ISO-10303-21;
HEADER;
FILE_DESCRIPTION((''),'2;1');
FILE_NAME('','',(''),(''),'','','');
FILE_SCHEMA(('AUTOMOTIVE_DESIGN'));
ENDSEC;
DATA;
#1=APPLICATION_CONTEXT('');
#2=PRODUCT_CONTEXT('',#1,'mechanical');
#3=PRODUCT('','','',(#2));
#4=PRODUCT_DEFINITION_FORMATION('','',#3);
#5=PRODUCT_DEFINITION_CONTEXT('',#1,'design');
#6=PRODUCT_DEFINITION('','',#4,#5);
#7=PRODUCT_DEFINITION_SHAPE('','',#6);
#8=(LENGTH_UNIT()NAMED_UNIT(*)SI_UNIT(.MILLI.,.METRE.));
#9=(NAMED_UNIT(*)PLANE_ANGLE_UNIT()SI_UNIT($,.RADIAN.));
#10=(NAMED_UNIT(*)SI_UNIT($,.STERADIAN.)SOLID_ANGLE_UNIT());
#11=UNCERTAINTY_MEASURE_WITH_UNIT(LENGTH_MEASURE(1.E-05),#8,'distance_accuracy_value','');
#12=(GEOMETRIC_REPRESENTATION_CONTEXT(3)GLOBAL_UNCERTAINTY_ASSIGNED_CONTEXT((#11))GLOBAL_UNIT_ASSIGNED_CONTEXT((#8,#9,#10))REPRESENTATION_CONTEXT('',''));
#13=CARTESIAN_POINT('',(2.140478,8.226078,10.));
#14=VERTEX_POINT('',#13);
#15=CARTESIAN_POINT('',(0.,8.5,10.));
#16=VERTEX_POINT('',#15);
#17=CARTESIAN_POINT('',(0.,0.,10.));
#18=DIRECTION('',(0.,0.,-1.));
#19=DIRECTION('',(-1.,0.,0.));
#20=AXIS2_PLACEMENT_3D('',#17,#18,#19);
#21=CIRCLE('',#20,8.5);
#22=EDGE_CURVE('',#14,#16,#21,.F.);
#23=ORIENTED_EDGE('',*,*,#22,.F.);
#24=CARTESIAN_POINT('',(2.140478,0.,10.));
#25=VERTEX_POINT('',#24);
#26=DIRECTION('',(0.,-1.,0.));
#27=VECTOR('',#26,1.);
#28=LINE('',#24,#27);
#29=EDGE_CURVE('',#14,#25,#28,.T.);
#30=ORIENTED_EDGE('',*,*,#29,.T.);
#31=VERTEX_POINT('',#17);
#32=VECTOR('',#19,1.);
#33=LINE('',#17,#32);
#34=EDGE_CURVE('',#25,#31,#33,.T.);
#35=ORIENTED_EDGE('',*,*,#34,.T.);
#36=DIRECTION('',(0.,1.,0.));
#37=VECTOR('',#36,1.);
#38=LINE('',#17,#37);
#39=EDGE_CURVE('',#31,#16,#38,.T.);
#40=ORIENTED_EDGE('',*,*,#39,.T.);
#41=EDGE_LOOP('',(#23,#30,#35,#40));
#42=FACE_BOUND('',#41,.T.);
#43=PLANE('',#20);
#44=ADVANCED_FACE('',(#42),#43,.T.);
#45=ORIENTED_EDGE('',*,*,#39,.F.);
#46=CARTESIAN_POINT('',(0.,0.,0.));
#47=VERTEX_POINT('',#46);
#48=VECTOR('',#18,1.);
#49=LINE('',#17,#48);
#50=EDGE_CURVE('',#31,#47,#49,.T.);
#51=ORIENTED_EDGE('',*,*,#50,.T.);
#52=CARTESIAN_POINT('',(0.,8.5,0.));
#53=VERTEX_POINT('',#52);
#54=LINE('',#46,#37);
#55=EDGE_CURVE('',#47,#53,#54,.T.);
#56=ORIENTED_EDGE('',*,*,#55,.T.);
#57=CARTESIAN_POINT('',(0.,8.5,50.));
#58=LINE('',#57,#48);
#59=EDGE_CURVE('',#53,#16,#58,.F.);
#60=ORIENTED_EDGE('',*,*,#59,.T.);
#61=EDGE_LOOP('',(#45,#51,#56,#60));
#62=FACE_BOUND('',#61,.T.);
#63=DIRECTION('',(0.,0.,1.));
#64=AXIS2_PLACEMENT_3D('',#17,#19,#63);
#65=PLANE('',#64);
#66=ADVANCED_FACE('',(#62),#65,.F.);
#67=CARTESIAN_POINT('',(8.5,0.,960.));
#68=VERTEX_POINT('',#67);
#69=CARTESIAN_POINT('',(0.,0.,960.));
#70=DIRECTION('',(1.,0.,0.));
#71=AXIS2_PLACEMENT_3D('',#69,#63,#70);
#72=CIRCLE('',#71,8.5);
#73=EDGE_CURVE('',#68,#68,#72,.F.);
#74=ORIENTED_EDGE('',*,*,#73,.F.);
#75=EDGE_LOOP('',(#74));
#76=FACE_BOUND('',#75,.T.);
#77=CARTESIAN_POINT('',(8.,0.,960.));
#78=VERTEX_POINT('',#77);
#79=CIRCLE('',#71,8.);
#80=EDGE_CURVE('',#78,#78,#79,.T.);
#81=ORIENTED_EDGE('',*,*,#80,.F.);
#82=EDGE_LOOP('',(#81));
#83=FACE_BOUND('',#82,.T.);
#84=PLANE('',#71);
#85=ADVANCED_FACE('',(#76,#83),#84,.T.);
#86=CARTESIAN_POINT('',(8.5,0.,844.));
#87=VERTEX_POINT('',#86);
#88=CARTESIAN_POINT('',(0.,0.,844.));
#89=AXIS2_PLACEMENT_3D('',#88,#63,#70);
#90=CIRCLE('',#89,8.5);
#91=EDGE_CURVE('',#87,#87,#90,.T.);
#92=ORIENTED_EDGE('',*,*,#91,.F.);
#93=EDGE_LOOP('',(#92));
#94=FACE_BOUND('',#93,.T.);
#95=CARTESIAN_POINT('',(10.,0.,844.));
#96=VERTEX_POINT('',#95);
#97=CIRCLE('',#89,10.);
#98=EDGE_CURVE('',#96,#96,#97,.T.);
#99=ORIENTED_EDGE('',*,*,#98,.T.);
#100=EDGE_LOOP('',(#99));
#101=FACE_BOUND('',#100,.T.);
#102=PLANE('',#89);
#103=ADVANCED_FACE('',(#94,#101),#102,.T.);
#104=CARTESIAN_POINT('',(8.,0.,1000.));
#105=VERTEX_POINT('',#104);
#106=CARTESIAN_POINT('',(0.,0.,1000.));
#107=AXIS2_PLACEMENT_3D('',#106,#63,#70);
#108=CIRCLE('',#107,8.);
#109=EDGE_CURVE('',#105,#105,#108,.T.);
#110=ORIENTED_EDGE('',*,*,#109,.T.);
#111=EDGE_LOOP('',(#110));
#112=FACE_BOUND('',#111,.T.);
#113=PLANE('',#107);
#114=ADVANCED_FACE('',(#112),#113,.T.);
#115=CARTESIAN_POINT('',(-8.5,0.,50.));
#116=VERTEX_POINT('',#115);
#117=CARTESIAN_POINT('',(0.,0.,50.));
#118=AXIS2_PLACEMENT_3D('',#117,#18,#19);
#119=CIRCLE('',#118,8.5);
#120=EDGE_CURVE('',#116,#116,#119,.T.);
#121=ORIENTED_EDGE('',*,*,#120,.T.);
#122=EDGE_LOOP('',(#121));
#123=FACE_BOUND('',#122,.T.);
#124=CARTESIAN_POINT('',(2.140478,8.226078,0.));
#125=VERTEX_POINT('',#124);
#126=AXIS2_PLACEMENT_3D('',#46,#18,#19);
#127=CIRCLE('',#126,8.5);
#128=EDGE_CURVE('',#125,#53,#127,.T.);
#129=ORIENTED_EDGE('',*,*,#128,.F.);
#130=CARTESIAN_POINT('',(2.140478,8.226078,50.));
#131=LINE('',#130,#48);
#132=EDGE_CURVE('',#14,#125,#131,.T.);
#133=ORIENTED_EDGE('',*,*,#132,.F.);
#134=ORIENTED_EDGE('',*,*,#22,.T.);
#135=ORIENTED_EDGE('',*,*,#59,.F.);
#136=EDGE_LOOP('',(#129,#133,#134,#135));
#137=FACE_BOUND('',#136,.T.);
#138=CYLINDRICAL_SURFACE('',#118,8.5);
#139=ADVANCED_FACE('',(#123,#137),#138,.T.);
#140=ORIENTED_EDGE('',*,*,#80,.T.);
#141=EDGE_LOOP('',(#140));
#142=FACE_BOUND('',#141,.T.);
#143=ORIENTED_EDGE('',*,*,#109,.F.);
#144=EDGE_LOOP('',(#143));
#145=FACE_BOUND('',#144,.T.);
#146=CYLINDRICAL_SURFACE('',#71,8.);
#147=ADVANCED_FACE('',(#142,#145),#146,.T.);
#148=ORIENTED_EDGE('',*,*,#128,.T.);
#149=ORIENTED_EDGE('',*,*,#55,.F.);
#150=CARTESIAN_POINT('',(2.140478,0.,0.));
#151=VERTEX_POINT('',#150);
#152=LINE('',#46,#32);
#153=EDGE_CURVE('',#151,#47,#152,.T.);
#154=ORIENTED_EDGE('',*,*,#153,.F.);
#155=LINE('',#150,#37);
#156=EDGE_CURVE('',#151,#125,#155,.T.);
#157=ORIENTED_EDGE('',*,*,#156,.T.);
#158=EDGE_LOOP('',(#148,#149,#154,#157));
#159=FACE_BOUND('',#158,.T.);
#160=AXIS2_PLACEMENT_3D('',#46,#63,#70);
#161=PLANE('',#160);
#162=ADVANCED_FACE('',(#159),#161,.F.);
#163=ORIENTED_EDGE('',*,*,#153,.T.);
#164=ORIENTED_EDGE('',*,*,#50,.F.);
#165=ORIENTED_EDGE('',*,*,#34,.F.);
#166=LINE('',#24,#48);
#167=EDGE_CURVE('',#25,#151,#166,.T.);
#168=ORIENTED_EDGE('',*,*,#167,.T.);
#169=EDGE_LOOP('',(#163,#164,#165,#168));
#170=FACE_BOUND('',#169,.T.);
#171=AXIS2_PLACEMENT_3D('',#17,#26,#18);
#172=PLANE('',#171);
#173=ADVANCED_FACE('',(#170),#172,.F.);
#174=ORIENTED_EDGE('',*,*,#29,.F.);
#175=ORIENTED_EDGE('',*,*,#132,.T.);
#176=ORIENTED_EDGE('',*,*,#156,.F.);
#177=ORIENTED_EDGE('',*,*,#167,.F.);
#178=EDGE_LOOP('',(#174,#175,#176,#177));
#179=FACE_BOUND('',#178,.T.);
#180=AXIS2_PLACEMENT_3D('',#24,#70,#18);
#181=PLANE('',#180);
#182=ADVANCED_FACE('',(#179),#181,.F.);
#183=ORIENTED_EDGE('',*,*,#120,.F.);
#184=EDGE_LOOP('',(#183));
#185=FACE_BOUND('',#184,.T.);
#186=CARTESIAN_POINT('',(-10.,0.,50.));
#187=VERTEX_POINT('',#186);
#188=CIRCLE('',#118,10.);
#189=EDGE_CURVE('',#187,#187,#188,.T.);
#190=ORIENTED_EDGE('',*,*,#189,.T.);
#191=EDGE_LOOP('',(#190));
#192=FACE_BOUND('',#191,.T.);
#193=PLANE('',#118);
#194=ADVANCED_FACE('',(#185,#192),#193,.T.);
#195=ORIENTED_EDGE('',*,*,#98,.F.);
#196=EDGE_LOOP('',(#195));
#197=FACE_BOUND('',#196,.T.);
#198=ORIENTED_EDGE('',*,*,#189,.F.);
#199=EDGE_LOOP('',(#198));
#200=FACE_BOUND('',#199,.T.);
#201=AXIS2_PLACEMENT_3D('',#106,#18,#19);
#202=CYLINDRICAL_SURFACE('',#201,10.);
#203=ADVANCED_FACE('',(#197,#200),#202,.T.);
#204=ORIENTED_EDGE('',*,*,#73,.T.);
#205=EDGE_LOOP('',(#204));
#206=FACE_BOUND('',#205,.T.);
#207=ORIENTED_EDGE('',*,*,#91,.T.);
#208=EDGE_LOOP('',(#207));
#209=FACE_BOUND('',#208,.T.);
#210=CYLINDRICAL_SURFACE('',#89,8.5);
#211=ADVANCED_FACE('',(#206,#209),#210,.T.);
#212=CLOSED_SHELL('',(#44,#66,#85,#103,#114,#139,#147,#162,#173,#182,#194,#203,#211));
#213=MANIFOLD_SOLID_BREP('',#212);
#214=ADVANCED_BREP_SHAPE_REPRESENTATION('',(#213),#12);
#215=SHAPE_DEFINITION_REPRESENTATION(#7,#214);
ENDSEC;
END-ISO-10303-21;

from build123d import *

# Parameters (mm, degrees)
SCHIZZO1_R                   = 10
ESTRUSIONE_ESTRUSIONE1_DEPTH = 1000
SCHIZZO2_OUTSIDE_W           = 222.08
SCHIZZO2_OUTSIDE_H           = 222.08
SCHIZZO2_OUTSIDE_R           = 8.5
TAGLIO_ESTRUSIONE3_DEPTH     = 156
SCHIZZO3_OUTSIDE_W           = 222.08
SCHIZZO3_OUTSIDE_H           = 222.08
SCHIZZO3_OUTSIDE_R           = 8.5
TAGLIO_ESTRUSIONE4_DEPTH     = 50
SCHIZZO6_OUTSIDE_W           = 222.08
SCHIZZO6_OUTSIDE_H           = 222.08
SCHIZZO6_OUTSIDE_R           = 8
TAGLIO_ESTRUSIONE6_DEPTH     = 40
SCHIZZO7_W                   = 2.140478466
SCHIZZO7_H                   = 11.058829026
TAGLIO_ESTRUSIONE11_DEPTH    = 10


with BuildPart() as part:
    # Schizzo1 → Estrusione-Estrusione1 (new body)
    with BuildSketch(Plane.XY):
        Circle(SCHIZZO1_R)
    extrude(amount=ESTRUSIONE_ESTRUSIONE1_DEPTH)

    # Schizzo2 outside → Taglio-Estrusione3 (cut)
    with BuildSketch(Plane.XY.offset(1000)):
        Rectangle(SCHIZZO2_OUTSIDE_W, SCHIZZO2_OUTSIDE_H)
        Circle(SCHIZZO2_OUTSIDE_R, mode=Mode.SUBTRACT)
    extrude(amount=-TAGLIO_ESTRUSIONE3_DEPTH, mode=Mode.SUBTRACT)

    # Schizzo3 outside → Taglio-Estrusione4 (cut)
    with BuildSketch(Plane(origin=(0, 0, 0), x_dir=(-1, 0, 0), z_dir=(0, 0, -1))):
        Rectangle(SCHIZZO3_OUTSIDE_W, SCHIZZO3_OUTSIDE_H)
        Circle(SCHIZZO3_OUTSIDE_R, mode=Mode.SUBTRACT)
    extrude(amount=-TAGLIO_ESTRUSIONE4_DEPTH, mode=Mode.SUBTRACT)

    # Schizzo6 outside → Taglio-Estrusione6 (cut)
    with BuildSketch(Plane.XY.offset(1000)):
        Rectangle(SCHIZZO6_OUTSIDE_W, SCHIZZO6_OUTSIDE_H)
        Circle(SCHIZZO6_OUTSIDE_R, mode=Mode.SUBTRACT)
    extrude(amount=-TAGLIO_ESTRUSIONE6_DEPTH, mode=Mode.SUBTRACT)

    # Schizzo7 → Taglio-Estrusione11 (cut)
    with BuildSketch(Plane(origin=(0, 0, 0), x_dir=(-1, 0, 0), z_dir=(0, 0, -1))):
        with Locations((-1.070239233, 5.529414513)):
            Rectangle(SCHIZZO7_W, SCHIZZO7_H)
    extrude(amount=-TAGLIO_ESTRUSIONE11_DEPTH, mode=Mode.SUBTRACT)


solid = part.part
